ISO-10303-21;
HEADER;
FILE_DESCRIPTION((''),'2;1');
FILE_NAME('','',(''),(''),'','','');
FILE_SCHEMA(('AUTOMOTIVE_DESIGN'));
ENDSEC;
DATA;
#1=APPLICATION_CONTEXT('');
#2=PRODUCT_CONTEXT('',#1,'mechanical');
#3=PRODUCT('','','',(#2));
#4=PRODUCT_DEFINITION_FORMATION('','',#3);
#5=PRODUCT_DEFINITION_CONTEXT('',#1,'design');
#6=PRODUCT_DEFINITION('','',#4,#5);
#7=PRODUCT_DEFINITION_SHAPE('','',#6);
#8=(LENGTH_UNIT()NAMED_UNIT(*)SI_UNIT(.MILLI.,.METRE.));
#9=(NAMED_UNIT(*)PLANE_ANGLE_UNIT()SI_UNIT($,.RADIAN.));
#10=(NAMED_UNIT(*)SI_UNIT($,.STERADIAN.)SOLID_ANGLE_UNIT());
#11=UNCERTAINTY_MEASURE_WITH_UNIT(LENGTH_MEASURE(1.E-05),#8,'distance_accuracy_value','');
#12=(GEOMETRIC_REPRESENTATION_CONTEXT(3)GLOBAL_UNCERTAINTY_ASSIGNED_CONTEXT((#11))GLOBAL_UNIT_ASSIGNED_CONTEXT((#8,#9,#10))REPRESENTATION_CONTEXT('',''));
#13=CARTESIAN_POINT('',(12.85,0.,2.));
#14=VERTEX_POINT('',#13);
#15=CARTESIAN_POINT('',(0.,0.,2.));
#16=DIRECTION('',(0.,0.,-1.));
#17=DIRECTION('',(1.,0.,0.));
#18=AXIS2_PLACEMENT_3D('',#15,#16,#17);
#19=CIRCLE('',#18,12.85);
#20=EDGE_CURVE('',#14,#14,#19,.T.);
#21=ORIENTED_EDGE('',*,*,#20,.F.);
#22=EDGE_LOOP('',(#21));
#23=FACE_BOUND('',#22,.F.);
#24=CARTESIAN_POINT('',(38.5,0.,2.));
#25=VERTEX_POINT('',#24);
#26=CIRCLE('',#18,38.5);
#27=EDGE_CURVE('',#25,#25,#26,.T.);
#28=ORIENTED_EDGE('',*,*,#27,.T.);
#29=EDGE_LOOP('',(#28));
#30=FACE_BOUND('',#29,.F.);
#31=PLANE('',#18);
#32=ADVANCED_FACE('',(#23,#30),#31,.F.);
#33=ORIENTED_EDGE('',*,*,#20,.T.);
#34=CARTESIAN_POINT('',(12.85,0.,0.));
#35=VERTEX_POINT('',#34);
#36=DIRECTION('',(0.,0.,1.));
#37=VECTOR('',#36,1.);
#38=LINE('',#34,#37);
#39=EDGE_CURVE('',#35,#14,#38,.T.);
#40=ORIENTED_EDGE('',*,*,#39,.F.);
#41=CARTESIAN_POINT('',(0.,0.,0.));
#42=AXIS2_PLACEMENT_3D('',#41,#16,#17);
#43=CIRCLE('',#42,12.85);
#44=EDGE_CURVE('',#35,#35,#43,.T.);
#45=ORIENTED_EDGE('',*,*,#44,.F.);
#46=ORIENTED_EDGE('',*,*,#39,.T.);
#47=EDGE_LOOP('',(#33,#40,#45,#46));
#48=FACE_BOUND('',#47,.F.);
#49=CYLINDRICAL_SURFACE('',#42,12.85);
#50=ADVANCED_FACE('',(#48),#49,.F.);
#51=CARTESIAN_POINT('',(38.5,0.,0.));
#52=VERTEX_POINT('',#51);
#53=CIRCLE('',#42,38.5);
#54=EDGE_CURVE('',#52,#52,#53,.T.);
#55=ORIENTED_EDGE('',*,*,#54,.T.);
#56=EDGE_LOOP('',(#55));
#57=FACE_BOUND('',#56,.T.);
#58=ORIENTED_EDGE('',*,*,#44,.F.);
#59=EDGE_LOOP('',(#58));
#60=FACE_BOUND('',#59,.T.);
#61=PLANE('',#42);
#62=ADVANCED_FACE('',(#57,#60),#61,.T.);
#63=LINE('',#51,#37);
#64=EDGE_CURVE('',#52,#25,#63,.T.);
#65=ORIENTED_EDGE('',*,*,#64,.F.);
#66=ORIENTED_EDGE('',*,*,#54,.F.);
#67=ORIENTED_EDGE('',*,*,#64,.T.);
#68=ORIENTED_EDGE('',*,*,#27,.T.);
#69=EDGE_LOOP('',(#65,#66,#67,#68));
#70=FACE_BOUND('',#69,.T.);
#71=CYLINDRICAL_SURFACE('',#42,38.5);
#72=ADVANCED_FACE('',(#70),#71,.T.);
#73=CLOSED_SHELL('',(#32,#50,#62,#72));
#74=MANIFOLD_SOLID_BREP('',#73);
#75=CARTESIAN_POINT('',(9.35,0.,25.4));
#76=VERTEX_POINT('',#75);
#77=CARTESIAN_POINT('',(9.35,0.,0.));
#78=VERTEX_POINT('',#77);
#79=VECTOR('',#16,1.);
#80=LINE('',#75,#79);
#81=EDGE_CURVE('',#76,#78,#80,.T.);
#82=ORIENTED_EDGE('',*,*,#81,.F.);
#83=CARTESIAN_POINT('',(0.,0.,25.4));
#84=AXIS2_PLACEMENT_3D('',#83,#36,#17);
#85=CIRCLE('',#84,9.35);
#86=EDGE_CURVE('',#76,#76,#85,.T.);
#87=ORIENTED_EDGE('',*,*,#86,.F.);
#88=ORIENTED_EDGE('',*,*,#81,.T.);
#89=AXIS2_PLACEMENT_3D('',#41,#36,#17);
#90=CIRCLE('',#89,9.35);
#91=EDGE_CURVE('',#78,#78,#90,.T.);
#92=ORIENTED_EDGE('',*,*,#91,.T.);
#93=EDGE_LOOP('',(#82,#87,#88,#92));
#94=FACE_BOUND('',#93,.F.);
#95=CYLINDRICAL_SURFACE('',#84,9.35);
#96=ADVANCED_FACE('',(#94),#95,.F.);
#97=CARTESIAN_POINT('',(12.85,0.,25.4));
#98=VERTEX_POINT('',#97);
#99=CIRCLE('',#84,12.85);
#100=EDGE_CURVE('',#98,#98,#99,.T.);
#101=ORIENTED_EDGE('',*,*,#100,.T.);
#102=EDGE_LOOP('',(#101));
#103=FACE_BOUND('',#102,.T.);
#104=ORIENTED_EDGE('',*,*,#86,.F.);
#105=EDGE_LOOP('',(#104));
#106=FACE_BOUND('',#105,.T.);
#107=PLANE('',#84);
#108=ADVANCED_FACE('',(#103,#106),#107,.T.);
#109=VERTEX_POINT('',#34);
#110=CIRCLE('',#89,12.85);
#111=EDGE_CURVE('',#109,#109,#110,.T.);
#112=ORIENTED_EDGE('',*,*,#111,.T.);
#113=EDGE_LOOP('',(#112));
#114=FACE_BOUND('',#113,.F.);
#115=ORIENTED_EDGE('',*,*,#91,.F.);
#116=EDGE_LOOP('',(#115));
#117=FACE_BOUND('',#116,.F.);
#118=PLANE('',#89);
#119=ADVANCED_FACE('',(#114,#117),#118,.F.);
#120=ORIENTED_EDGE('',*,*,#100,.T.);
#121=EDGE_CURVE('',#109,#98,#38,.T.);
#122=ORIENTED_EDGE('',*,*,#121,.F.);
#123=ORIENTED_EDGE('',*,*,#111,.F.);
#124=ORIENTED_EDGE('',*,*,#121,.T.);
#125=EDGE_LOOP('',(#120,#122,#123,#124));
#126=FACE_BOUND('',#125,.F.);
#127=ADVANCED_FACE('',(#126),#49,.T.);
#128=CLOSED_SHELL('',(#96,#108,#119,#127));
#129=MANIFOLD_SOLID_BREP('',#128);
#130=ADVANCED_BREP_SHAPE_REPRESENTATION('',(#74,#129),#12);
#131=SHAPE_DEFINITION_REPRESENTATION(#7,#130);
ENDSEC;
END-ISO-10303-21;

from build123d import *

# Parameters (mm, degrees)
F0_R     = 12.85
F1_DEPTH = 25.4
F2_R     = 38.5
F2_R_2   = 12.85
F3_DEPTH = 2
F4_R     = 9.35
F5_DEPTH = 60


with BuildPart() as f1:
    # F0 (on Top) → F1 (new body)
    with BuildSketch(Plane.XY):
        Circle(F0_R)
    extrude(amount=F1_DEPTH)

    # F4 (on face) → F5 (cut)
    with BuildSketch(Plane.XY.offset(25.4)):
        Circle(F4_R)
    extrude(amount=-F5_DEPTH, mode=Mode.SUBTRACT)


with BuildPart() as f3:
    # F2 (on face) → F3 (new body)
    with BuildSketch(Plane(origin=(0, 0, 0), x_dir=(1, 0, 0), z_dir=(0, 0, -1))):
        Circle(F2_R)
        Circle(F2_R_2, mode=Mode.SUBTRACT)
    extrude(amount=-F3_DEPTH)


solid = Compound([f1.part, f3.part])
